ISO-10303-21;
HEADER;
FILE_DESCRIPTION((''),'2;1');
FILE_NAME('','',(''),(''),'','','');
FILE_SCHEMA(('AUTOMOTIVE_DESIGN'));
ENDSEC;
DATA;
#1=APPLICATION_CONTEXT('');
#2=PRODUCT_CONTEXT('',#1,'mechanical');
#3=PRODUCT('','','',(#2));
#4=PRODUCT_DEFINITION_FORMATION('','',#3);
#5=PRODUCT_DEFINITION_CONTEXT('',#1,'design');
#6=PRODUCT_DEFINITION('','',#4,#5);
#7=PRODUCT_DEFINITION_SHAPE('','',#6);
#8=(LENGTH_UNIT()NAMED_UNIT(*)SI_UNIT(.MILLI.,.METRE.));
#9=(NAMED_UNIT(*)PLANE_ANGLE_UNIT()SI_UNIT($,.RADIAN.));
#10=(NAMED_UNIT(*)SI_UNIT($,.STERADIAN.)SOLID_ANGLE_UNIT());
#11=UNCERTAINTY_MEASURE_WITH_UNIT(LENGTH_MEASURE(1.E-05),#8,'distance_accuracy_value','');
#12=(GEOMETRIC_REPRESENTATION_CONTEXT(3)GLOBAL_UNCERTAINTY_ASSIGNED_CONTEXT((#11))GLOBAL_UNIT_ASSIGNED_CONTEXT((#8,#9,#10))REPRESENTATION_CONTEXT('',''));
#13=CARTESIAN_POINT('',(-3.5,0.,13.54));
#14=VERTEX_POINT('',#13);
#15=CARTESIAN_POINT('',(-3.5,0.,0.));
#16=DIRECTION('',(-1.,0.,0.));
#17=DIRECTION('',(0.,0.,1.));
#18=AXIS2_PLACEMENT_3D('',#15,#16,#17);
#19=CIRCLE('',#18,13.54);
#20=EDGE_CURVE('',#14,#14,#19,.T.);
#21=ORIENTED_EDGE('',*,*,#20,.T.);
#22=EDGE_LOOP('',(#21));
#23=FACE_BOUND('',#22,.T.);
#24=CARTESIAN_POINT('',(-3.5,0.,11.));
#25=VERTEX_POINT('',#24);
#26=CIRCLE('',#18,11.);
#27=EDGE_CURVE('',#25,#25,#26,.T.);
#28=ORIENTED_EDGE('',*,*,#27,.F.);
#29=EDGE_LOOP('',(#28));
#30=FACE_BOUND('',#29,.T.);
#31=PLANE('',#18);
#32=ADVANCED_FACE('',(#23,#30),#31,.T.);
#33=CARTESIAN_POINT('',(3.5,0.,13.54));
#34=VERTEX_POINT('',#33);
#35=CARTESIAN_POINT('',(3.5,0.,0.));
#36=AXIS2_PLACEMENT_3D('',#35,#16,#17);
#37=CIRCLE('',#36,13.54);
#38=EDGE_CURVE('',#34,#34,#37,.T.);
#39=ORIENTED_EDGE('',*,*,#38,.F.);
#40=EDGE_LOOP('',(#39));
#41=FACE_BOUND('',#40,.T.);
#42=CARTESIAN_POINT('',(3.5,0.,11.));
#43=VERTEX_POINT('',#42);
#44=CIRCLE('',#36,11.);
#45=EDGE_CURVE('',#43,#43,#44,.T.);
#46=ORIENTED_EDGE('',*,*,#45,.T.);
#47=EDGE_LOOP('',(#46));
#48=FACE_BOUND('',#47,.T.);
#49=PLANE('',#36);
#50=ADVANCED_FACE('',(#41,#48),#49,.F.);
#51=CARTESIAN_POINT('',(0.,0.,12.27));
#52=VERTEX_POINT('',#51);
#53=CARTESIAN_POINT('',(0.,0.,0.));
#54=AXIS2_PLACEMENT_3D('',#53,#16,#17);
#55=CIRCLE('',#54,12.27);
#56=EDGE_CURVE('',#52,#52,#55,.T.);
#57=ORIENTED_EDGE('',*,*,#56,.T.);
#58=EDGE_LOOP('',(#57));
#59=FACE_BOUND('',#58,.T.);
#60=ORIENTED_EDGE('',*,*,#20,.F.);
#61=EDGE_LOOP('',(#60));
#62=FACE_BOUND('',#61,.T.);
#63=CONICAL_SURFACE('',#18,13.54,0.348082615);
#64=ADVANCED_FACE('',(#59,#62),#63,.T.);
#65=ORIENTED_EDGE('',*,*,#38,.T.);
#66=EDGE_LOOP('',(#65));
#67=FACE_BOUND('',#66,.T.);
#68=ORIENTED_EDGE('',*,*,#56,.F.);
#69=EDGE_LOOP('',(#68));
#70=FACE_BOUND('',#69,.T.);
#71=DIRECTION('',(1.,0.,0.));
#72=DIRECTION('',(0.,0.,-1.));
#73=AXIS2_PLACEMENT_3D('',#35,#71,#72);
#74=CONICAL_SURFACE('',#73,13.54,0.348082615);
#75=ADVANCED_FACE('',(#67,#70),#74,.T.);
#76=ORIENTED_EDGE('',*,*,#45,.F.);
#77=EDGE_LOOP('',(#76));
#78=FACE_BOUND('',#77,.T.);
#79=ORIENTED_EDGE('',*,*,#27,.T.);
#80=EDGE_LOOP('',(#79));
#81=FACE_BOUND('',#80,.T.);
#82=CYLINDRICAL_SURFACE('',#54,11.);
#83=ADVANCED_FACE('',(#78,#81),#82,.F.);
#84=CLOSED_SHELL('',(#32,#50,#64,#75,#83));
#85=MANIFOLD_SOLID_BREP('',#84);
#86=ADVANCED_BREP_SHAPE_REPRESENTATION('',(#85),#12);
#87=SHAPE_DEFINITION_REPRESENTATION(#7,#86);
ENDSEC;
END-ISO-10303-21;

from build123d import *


with BuildPart() as part:
    # Sketch1 → Revolve1 (revolve)
    with BuildSketch(Plane.XY, mode=Mode.PRIVATE) as revolve1_sk:
        Polygon((-3.5, 11), (3.5, 11), (3.5, 13.54), (0, 12.27), (-3.5, 13.54), align=None)
    revolve(revolve1_sk.sketch.rotate(Axis((0, 0, 0), (1, 0, 0)), 90), axis=Axis((0, 0, 0), (1, 0, 0)))


solid = part.part
